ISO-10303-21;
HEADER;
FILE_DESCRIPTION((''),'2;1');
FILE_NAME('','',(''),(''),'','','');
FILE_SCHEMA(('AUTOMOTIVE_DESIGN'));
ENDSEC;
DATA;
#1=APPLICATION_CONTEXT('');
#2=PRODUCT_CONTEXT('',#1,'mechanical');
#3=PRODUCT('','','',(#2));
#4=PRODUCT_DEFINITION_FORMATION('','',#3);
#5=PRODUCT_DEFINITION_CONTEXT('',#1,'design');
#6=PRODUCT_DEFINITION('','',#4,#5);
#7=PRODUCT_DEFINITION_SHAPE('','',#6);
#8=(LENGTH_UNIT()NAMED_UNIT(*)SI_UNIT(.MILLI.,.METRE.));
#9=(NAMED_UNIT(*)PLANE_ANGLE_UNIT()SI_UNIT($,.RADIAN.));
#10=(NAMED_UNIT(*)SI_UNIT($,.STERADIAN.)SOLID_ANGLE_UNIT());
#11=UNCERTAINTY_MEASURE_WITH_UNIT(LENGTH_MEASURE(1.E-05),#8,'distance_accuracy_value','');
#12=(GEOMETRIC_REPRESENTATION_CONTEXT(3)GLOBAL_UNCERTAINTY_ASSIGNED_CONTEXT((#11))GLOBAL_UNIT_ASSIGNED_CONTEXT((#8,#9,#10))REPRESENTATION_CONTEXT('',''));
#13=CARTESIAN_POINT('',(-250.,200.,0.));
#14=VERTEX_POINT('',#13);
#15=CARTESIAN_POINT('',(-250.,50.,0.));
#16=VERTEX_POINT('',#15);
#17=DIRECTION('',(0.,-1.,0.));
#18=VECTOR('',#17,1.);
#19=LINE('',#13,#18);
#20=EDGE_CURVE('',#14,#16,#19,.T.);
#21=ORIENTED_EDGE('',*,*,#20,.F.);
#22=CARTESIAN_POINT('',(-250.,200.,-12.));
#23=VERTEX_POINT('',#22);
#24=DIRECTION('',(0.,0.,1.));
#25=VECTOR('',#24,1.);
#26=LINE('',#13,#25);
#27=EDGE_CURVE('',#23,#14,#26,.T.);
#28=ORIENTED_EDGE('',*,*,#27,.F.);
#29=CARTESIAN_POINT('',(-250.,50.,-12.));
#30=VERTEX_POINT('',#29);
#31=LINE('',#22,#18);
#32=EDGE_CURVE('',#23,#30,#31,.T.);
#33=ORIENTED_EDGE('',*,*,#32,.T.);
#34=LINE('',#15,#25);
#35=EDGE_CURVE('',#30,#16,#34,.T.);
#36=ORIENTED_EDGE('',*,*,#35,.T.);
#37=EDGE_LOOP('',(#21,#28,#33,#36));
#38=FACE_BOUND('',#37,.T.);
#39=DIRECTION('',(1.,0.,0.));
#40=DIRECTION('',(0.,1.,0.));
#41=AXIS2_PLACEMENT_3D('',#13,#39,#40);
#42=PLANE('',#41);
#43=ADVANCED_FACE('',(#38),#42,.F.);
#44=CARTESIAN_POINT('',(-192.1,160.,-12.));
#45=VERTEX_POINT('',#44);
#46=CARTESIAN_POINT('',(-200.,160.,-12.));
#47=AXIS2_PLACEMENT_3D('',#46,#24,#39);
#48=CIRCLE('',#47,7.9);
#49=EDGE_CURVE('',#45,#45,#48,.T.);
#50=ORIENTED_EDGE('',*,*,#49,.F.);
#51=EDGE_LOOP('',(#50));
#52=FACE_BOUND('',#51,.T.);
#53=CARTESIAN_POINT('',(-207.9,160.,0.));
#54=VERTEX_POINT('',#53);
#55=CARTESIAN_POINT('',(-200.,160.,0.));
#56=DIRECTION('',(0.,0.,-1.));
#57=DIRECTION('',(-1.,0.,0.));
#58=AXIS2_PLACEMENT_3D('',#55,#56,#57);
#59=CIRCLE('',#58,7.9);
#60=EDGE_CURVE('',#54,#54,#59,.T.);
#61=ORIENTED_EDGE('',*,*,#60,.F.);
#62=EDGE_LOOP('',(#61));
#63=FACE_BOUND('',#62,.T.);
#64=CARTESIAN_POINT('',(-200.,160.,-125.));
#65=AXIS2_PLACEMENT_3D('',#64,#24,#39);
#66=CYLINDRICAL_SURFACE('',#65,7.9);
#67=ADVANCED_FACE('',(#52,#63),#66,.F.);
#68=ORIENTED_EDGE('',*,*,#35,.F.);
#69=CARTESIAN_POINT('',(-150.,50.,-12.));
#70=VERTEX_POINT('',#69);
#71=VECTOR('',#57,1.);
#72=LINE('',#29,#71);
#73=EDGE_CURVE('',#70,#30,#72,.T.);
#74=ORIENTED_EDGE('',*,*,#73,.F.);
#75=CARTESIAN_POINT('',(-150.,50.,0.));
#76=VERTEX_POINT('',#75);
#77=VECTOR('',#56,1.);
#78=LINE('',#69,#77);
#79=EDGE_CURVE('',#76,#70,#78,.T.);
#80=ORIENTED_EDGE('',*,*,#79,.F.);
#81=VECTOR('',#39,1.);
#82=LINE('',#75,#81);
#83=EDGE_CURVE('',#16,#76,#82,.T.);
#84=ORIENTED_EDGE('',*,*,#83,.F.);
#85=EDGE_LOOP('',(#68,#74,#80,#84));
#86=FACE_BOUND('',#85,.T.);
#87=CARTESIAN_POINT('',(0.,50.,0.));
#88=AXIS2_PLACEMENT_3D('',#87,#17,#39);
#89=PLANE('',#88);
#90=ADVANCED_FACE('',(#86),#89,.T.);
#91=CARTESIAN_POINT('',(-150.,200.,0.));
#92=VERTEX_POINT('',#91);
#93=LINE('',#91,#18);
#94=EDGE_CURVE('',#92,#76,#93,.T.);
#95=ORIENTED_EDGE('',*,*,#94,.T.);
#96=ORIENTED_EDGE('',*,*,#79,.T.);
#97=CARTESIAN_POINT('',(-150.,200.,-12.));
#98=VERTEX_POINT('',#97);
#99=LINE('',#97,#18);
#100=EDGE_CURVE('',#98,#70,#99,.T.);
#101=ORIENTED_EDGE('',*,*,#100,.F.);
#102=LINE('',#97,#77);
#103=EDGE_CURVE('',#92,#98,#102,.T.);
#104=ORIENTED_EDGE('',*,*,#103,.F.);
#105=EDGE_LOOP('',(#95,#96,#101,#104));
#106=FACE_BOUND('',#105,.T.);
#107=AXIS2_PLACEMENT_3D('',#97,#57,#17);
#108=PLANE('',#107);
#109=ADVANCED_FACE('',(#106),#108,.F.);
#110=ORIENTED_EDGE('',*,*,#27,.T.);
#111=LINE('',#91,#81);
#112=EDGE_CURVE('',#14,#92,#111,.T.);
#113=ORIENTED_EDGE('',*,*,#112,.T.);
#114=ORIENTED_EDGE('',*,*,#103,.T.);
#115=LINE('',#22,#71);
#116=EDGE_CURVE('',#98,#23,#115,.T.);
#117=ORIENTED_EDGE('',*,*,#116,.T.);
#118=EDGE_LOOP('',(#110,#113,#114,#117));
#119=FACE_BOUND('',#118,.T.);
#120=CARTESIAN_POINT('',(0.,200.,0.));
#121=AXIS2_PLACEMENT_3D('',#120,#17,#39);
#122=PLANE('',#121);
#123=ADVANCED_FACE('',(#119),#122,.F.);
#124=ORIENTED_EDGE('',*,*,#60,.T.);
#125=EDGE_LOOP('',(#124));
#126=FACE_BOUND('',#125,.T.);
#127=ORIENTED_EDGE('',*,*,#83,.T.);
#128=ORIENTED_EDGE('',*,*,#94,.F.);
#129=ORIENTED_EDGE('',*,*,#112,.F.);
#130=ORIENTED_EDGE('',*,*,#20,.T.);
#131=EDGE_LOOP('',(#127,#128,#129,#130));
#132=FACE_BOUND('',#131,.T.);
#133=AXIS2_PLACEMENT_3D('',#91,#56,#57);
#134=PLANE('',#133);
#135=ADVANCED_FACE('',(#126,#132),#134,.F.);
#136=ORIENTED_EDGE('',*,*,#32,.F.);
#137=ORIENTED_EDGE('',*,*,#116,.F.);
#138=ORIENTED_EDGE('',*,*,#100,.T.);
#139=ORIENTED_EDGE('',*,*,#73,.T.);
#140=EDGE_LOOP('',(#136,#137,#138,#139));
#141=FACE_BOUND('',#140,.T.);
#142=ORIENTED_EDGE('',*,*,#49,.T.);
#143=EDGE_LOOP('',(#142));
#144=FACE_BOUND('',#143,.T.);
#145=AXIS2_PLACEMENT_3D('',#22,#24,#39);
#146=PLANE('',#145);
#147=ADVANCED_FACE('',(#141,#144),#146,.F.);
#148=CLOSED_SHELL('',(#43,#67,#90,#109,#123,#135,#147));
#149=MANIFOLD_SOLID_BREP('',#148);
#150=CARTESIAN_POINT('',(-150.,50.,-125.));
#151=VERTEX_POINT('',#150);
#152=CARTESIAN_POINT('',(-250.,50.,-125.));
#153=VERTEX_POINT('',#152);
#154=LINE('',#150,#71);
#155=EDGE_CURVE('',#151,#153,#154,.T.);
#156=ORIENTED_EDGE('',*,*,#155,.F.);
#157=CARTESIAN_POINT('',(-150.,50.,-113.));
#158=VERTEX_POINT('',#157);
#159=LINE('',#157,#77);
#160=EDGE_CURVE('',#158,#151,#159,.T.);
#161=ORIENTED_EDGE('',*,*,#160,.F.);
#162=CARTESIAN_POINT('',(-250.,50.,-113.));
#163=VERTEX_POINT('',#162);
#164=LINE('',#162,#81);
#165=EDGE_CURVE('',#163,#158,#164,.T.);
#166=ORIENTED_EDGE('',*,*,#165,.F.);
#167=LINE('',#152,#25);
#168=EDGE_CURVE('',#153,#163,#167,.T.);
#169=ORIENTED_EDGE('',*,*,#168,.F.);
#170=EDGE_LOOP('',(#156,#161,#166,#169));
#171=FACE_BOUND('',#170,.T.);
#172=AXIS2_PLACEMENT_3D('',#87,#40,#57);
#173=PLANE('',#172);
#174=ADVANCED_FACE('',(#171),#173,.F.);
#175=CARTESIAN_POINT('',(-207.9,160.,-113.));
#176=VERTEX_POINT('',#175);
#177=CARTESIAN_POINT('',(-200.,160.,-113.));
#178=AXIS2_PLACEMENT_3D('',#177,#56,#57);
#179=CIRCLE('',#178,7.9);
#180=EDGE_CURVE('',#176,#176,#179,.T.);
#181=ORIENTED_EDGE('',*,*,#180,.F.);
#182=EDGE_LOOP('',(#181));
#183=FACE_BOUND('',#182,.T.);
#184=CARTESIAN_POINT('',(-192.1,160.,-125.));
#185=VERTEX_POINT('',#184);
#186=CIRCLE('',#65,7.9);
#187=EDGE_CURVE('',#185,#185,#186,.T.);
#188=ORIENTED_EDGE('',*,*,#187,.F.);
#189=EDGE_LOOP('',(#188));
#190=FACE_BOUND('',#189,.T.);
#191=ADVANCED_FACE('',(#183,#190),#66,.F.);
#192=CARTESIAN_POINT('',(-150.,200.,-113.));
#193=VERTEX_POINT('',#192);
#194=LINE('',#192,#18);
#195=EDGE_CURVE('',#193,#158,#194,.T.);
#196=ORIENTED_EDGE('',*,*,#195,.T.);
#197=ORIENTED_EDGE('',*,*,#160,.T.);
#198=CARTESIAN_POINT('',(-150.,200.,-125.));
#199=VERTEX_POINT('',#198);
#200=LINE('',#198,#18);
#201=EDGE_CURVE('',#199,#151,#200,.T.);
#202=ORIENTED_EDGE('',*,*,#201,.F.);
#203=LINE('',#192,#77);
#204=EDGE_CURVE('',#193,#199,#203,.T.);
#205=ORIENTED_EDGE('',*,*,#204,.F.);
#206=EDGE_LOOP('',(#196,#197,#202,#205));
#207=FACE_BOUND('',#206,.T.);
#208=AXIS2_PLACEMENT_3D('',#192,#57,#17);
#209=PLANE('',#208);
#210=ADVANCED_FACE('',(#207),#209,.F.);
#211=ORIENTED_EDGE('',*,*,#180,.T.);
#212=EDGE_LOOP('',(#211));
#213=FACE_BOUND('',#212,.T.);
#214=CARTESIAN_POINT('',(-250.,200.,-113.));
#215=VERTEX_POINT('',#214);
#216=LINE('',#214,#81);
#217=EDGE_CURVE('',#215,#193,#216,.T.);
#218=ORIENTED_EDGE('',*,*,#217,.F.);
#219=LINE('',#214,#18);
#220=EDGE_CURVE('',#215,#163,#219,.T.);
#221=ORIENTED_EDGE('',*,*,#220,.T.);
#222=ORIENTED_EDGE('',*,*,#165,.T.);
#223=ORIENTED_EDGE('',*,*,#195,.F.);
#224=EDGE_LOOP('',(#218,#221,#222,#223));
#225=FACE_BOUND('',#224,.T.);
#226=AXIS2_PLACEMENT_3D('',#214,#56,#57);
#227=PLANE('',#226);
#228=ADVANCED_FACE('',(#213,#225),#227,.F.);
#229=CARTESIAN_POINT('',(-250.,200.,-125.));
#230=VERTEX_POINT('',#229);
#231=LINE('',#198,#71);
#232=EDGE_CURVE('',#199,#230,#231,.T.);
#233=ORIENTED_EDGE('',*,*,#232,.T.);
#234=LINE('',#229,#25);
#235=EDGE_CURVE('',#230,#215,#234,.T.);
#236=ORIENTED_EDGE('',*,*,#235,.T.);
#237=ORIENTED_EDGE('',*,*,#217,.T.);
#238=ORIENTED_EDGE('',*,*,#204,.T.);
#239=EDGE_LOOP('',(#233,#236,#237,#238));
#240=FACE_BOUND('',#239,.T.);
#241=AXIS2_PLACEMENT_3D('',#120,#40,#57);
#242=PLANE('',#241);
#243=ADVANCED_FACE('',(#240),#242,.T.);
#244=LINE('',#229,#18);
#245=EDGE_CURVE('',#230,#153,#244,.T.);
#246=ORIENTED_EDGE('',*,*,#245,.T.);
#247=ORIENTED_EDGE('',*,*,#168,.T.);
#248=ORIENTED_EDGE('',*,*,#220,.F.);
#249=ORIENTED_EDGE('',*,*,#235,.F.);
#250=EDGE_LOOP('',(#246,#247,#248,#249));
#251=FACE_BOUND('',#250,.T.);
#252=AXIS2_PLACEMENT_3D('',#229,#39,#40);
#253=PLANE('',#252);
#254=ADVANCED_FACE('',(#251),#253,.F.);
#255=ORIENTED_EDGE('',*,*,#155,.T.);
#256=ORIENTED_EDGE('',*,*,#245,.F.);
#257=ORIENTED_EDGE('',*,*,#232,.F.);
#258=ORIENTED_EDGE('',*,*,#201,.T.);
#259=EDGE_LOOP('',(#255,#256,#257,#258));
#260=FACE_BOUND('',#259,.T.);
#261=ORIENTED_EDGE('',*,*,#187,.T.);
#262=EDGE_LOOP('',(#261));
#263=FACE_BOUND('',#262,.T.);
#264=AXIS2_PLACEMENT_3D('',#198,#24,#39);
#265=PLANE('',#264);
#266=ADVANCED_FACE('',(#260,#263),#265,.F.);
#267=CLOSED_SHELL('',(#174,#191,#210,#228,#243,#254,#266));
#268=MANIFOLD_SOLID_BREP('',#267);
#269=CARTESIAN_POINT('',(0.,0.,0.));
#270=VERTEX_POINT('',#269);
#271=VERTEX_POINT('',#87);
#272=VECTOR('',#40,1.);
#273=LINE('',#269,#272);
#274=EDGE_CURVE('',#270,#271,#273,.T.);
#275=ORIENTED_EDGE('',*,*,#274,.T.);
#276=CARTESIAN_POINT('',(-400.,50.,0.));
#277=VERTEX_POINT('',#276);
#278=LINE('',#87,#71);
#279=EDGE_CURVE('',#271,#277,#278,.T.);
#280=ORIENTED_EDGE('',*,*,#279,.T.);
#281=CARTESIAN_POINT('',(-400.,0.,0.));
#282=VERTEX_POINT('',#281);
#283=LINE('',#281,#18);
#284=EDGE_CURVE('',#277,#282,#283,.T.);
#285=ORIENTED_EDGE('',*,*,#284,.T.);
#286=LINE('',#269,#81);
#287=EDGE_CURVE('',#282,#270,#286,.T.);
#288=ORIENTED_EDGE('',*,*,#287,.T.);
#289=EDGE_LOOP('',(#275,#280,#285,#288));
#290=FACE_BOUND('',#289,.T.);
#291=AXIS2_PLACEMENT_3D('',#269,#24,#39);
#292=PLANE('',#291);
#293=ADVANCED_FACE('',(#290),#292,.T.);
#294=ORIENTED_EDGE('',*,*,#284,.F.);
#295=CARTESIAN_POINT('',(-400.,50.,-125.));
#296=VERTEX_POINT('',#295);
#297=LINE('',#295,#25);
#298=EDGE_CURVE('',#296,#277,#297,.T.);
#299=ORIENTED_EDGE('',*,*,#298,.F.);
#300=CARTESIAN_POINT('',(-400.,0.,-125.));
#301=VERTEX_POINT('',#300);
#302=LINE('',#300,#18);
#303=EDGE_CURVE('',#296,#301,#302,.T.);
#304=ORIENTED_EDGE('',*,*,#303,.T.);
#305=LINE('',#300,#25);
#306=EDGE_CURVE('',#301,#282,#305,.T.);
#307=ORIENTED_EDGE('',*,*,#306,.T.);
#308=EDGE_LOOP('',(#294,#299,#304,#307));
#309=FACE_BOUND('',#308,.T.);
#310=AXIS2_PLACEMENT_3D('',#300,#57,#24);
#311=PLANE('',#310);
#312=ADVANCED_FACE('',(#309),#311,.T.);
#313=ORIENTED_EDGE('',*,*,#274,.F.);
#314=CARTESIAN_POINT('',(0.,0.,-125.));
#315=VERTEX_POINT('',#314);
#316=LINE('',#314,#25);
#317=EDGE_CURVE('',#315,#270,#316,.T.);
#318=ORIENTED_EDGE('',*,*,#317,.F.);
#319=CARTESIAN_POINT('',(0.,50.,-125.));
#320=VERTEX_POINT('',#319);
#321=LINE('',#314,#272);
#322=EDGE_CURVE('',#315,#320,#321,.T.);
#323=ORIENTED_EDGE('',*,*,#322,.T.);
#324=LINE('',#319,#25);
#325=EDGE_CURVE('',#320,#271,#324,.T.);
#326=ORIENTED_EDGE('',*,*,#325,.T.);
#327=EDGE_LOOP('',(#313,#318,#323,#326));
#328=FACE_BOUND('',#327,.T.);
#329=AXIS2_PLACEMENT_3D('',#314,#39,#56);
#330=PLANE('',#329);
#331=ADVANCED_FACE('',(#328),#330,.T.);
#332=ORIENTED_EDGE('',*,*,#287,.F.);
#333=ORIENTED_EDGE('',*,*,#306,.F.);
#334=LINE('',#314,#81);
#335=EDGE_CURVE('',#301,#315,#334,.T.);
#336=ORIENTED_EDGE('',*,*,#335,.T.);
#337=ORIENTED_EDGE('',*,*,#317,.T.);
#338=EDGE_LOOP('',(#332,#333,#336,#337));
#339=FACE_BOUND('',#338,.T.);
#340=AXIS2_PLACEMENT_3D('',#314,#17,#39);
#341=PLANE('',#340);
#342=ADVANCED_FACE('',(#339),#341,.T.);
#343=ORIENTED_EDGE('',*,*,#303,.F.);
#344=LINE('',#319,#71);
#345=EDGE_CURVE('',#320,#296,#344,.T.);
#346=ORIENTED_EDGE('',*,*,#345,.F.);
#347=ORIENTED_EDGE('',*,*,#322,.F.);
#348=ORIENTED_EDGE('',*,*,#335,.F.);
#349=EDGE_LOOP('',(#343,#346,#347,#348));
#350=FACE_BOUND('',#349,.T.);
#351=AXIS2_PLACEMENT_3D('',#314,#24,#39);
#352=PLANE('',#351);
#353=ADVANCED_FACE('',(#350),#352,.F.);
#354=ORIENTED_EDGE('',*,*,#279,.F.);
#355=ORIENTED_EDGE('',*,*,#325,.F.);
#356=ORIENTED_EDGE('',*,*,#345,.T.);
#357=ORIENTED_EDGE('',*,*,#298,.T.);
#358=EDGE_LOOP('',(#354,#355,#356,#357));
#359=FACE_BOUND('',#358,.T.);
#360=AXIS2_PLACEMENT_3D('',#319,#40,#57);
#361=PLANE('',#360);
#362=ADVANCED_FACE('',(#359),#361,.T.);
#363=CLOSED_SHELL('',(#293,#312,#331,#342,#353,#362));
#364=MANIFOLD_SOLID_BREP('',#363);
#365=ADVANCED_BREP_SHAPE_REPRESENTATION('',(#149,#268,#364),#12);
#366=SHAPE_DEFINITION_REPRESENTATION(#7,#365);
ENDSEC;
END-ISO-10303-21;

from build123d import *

# Parameters (mm, degrees)
SKETCH1_W               = 400
SKETCH1_H               = 50
BOSS_EXTRUDE1_DEPTH     = 125
SKETCH2_W               = 100
SKETCH2_H               = 12
BOSS_EXTRUDE2_DEPTH     = 150
BOSS_EXTRUDE2_2_DEPTH   = 150
SKETCH3_R               = 7.9
CUT_EXTRUDE1_DEPTH      = 1
CUT_EXTRUDE1_DEPTH_BACK = 126


with BuildPart() as part:
    # Sketch1 → Boss-Extrude1 (new body)
    with BuildSketch(Plane.XY):
        with Locations((-200, 25)):
            Rectangle(SKETCH1_W, SKETCH1_H)
    extrude(amount=-BOSS_EXTRUDE1_DEPTH)


with BuildPart() as body_2:
    # Sketch2 → Boss-Extrude2 (new body)
    with BuildSketch(Plane(origin=(0, 50, 0), x_dir=(1, 0, 0), z_dir=(0, 1, 0))):
        with Locations((-200, 6)):
            Rectangle(SKETCH2_W, SKETCH2_H)
    extrude(amount=BOSS_EXTRUDE2_DEPTH)


with BuildPart() as body_3:
    # Sketch2 → Boss-Extrude2 2 (new body)
    with BuildSketch(Plane(origin=(0, 50, 0), x_dir=(1, 0, 0), z_dir=(0, 1, 0))):
        with Locations((-200, 119)):
            Rectangle(SKETCH2_W, SKETCH2_H)
    extrude(amount=BOSS_EXTRUDE2_2_DEPTH)


with BuildPart() as cut_extrude1_tool:
    # Sketch3 → Cut-Extrude1 (new body, two sides)
    with BuildSketch(Plane.XY) as cut_extrude1_sk:
        with Locations((-200, 160)):
            Circle(SKETCH3_R)
    extrude(amount=CUT_EXTRUDE1_DEPTH)
    extrude(cut_extrude1_sk.sketch, amount=-CUT_EXTRUDE1_DEPTH_BACK)


with BuildPart() as body_2_1:
    add(body_2.part)

    # Cut-Extrude1: cut by cut_extrude1_tool
    add(cut_extrude1_tool.part, mode=Mode.SUBTRACT)


with BuildPart() as body_3_1:
    add(body_3.part)

    # Cut-Extrude1: cut by cut_extrude1_tool
    add(cut_extrude1_tool.part, mode=Mode.SUBTRACT)


solid = Compound([part.part, body_2_1.part, body_3_1.part])
